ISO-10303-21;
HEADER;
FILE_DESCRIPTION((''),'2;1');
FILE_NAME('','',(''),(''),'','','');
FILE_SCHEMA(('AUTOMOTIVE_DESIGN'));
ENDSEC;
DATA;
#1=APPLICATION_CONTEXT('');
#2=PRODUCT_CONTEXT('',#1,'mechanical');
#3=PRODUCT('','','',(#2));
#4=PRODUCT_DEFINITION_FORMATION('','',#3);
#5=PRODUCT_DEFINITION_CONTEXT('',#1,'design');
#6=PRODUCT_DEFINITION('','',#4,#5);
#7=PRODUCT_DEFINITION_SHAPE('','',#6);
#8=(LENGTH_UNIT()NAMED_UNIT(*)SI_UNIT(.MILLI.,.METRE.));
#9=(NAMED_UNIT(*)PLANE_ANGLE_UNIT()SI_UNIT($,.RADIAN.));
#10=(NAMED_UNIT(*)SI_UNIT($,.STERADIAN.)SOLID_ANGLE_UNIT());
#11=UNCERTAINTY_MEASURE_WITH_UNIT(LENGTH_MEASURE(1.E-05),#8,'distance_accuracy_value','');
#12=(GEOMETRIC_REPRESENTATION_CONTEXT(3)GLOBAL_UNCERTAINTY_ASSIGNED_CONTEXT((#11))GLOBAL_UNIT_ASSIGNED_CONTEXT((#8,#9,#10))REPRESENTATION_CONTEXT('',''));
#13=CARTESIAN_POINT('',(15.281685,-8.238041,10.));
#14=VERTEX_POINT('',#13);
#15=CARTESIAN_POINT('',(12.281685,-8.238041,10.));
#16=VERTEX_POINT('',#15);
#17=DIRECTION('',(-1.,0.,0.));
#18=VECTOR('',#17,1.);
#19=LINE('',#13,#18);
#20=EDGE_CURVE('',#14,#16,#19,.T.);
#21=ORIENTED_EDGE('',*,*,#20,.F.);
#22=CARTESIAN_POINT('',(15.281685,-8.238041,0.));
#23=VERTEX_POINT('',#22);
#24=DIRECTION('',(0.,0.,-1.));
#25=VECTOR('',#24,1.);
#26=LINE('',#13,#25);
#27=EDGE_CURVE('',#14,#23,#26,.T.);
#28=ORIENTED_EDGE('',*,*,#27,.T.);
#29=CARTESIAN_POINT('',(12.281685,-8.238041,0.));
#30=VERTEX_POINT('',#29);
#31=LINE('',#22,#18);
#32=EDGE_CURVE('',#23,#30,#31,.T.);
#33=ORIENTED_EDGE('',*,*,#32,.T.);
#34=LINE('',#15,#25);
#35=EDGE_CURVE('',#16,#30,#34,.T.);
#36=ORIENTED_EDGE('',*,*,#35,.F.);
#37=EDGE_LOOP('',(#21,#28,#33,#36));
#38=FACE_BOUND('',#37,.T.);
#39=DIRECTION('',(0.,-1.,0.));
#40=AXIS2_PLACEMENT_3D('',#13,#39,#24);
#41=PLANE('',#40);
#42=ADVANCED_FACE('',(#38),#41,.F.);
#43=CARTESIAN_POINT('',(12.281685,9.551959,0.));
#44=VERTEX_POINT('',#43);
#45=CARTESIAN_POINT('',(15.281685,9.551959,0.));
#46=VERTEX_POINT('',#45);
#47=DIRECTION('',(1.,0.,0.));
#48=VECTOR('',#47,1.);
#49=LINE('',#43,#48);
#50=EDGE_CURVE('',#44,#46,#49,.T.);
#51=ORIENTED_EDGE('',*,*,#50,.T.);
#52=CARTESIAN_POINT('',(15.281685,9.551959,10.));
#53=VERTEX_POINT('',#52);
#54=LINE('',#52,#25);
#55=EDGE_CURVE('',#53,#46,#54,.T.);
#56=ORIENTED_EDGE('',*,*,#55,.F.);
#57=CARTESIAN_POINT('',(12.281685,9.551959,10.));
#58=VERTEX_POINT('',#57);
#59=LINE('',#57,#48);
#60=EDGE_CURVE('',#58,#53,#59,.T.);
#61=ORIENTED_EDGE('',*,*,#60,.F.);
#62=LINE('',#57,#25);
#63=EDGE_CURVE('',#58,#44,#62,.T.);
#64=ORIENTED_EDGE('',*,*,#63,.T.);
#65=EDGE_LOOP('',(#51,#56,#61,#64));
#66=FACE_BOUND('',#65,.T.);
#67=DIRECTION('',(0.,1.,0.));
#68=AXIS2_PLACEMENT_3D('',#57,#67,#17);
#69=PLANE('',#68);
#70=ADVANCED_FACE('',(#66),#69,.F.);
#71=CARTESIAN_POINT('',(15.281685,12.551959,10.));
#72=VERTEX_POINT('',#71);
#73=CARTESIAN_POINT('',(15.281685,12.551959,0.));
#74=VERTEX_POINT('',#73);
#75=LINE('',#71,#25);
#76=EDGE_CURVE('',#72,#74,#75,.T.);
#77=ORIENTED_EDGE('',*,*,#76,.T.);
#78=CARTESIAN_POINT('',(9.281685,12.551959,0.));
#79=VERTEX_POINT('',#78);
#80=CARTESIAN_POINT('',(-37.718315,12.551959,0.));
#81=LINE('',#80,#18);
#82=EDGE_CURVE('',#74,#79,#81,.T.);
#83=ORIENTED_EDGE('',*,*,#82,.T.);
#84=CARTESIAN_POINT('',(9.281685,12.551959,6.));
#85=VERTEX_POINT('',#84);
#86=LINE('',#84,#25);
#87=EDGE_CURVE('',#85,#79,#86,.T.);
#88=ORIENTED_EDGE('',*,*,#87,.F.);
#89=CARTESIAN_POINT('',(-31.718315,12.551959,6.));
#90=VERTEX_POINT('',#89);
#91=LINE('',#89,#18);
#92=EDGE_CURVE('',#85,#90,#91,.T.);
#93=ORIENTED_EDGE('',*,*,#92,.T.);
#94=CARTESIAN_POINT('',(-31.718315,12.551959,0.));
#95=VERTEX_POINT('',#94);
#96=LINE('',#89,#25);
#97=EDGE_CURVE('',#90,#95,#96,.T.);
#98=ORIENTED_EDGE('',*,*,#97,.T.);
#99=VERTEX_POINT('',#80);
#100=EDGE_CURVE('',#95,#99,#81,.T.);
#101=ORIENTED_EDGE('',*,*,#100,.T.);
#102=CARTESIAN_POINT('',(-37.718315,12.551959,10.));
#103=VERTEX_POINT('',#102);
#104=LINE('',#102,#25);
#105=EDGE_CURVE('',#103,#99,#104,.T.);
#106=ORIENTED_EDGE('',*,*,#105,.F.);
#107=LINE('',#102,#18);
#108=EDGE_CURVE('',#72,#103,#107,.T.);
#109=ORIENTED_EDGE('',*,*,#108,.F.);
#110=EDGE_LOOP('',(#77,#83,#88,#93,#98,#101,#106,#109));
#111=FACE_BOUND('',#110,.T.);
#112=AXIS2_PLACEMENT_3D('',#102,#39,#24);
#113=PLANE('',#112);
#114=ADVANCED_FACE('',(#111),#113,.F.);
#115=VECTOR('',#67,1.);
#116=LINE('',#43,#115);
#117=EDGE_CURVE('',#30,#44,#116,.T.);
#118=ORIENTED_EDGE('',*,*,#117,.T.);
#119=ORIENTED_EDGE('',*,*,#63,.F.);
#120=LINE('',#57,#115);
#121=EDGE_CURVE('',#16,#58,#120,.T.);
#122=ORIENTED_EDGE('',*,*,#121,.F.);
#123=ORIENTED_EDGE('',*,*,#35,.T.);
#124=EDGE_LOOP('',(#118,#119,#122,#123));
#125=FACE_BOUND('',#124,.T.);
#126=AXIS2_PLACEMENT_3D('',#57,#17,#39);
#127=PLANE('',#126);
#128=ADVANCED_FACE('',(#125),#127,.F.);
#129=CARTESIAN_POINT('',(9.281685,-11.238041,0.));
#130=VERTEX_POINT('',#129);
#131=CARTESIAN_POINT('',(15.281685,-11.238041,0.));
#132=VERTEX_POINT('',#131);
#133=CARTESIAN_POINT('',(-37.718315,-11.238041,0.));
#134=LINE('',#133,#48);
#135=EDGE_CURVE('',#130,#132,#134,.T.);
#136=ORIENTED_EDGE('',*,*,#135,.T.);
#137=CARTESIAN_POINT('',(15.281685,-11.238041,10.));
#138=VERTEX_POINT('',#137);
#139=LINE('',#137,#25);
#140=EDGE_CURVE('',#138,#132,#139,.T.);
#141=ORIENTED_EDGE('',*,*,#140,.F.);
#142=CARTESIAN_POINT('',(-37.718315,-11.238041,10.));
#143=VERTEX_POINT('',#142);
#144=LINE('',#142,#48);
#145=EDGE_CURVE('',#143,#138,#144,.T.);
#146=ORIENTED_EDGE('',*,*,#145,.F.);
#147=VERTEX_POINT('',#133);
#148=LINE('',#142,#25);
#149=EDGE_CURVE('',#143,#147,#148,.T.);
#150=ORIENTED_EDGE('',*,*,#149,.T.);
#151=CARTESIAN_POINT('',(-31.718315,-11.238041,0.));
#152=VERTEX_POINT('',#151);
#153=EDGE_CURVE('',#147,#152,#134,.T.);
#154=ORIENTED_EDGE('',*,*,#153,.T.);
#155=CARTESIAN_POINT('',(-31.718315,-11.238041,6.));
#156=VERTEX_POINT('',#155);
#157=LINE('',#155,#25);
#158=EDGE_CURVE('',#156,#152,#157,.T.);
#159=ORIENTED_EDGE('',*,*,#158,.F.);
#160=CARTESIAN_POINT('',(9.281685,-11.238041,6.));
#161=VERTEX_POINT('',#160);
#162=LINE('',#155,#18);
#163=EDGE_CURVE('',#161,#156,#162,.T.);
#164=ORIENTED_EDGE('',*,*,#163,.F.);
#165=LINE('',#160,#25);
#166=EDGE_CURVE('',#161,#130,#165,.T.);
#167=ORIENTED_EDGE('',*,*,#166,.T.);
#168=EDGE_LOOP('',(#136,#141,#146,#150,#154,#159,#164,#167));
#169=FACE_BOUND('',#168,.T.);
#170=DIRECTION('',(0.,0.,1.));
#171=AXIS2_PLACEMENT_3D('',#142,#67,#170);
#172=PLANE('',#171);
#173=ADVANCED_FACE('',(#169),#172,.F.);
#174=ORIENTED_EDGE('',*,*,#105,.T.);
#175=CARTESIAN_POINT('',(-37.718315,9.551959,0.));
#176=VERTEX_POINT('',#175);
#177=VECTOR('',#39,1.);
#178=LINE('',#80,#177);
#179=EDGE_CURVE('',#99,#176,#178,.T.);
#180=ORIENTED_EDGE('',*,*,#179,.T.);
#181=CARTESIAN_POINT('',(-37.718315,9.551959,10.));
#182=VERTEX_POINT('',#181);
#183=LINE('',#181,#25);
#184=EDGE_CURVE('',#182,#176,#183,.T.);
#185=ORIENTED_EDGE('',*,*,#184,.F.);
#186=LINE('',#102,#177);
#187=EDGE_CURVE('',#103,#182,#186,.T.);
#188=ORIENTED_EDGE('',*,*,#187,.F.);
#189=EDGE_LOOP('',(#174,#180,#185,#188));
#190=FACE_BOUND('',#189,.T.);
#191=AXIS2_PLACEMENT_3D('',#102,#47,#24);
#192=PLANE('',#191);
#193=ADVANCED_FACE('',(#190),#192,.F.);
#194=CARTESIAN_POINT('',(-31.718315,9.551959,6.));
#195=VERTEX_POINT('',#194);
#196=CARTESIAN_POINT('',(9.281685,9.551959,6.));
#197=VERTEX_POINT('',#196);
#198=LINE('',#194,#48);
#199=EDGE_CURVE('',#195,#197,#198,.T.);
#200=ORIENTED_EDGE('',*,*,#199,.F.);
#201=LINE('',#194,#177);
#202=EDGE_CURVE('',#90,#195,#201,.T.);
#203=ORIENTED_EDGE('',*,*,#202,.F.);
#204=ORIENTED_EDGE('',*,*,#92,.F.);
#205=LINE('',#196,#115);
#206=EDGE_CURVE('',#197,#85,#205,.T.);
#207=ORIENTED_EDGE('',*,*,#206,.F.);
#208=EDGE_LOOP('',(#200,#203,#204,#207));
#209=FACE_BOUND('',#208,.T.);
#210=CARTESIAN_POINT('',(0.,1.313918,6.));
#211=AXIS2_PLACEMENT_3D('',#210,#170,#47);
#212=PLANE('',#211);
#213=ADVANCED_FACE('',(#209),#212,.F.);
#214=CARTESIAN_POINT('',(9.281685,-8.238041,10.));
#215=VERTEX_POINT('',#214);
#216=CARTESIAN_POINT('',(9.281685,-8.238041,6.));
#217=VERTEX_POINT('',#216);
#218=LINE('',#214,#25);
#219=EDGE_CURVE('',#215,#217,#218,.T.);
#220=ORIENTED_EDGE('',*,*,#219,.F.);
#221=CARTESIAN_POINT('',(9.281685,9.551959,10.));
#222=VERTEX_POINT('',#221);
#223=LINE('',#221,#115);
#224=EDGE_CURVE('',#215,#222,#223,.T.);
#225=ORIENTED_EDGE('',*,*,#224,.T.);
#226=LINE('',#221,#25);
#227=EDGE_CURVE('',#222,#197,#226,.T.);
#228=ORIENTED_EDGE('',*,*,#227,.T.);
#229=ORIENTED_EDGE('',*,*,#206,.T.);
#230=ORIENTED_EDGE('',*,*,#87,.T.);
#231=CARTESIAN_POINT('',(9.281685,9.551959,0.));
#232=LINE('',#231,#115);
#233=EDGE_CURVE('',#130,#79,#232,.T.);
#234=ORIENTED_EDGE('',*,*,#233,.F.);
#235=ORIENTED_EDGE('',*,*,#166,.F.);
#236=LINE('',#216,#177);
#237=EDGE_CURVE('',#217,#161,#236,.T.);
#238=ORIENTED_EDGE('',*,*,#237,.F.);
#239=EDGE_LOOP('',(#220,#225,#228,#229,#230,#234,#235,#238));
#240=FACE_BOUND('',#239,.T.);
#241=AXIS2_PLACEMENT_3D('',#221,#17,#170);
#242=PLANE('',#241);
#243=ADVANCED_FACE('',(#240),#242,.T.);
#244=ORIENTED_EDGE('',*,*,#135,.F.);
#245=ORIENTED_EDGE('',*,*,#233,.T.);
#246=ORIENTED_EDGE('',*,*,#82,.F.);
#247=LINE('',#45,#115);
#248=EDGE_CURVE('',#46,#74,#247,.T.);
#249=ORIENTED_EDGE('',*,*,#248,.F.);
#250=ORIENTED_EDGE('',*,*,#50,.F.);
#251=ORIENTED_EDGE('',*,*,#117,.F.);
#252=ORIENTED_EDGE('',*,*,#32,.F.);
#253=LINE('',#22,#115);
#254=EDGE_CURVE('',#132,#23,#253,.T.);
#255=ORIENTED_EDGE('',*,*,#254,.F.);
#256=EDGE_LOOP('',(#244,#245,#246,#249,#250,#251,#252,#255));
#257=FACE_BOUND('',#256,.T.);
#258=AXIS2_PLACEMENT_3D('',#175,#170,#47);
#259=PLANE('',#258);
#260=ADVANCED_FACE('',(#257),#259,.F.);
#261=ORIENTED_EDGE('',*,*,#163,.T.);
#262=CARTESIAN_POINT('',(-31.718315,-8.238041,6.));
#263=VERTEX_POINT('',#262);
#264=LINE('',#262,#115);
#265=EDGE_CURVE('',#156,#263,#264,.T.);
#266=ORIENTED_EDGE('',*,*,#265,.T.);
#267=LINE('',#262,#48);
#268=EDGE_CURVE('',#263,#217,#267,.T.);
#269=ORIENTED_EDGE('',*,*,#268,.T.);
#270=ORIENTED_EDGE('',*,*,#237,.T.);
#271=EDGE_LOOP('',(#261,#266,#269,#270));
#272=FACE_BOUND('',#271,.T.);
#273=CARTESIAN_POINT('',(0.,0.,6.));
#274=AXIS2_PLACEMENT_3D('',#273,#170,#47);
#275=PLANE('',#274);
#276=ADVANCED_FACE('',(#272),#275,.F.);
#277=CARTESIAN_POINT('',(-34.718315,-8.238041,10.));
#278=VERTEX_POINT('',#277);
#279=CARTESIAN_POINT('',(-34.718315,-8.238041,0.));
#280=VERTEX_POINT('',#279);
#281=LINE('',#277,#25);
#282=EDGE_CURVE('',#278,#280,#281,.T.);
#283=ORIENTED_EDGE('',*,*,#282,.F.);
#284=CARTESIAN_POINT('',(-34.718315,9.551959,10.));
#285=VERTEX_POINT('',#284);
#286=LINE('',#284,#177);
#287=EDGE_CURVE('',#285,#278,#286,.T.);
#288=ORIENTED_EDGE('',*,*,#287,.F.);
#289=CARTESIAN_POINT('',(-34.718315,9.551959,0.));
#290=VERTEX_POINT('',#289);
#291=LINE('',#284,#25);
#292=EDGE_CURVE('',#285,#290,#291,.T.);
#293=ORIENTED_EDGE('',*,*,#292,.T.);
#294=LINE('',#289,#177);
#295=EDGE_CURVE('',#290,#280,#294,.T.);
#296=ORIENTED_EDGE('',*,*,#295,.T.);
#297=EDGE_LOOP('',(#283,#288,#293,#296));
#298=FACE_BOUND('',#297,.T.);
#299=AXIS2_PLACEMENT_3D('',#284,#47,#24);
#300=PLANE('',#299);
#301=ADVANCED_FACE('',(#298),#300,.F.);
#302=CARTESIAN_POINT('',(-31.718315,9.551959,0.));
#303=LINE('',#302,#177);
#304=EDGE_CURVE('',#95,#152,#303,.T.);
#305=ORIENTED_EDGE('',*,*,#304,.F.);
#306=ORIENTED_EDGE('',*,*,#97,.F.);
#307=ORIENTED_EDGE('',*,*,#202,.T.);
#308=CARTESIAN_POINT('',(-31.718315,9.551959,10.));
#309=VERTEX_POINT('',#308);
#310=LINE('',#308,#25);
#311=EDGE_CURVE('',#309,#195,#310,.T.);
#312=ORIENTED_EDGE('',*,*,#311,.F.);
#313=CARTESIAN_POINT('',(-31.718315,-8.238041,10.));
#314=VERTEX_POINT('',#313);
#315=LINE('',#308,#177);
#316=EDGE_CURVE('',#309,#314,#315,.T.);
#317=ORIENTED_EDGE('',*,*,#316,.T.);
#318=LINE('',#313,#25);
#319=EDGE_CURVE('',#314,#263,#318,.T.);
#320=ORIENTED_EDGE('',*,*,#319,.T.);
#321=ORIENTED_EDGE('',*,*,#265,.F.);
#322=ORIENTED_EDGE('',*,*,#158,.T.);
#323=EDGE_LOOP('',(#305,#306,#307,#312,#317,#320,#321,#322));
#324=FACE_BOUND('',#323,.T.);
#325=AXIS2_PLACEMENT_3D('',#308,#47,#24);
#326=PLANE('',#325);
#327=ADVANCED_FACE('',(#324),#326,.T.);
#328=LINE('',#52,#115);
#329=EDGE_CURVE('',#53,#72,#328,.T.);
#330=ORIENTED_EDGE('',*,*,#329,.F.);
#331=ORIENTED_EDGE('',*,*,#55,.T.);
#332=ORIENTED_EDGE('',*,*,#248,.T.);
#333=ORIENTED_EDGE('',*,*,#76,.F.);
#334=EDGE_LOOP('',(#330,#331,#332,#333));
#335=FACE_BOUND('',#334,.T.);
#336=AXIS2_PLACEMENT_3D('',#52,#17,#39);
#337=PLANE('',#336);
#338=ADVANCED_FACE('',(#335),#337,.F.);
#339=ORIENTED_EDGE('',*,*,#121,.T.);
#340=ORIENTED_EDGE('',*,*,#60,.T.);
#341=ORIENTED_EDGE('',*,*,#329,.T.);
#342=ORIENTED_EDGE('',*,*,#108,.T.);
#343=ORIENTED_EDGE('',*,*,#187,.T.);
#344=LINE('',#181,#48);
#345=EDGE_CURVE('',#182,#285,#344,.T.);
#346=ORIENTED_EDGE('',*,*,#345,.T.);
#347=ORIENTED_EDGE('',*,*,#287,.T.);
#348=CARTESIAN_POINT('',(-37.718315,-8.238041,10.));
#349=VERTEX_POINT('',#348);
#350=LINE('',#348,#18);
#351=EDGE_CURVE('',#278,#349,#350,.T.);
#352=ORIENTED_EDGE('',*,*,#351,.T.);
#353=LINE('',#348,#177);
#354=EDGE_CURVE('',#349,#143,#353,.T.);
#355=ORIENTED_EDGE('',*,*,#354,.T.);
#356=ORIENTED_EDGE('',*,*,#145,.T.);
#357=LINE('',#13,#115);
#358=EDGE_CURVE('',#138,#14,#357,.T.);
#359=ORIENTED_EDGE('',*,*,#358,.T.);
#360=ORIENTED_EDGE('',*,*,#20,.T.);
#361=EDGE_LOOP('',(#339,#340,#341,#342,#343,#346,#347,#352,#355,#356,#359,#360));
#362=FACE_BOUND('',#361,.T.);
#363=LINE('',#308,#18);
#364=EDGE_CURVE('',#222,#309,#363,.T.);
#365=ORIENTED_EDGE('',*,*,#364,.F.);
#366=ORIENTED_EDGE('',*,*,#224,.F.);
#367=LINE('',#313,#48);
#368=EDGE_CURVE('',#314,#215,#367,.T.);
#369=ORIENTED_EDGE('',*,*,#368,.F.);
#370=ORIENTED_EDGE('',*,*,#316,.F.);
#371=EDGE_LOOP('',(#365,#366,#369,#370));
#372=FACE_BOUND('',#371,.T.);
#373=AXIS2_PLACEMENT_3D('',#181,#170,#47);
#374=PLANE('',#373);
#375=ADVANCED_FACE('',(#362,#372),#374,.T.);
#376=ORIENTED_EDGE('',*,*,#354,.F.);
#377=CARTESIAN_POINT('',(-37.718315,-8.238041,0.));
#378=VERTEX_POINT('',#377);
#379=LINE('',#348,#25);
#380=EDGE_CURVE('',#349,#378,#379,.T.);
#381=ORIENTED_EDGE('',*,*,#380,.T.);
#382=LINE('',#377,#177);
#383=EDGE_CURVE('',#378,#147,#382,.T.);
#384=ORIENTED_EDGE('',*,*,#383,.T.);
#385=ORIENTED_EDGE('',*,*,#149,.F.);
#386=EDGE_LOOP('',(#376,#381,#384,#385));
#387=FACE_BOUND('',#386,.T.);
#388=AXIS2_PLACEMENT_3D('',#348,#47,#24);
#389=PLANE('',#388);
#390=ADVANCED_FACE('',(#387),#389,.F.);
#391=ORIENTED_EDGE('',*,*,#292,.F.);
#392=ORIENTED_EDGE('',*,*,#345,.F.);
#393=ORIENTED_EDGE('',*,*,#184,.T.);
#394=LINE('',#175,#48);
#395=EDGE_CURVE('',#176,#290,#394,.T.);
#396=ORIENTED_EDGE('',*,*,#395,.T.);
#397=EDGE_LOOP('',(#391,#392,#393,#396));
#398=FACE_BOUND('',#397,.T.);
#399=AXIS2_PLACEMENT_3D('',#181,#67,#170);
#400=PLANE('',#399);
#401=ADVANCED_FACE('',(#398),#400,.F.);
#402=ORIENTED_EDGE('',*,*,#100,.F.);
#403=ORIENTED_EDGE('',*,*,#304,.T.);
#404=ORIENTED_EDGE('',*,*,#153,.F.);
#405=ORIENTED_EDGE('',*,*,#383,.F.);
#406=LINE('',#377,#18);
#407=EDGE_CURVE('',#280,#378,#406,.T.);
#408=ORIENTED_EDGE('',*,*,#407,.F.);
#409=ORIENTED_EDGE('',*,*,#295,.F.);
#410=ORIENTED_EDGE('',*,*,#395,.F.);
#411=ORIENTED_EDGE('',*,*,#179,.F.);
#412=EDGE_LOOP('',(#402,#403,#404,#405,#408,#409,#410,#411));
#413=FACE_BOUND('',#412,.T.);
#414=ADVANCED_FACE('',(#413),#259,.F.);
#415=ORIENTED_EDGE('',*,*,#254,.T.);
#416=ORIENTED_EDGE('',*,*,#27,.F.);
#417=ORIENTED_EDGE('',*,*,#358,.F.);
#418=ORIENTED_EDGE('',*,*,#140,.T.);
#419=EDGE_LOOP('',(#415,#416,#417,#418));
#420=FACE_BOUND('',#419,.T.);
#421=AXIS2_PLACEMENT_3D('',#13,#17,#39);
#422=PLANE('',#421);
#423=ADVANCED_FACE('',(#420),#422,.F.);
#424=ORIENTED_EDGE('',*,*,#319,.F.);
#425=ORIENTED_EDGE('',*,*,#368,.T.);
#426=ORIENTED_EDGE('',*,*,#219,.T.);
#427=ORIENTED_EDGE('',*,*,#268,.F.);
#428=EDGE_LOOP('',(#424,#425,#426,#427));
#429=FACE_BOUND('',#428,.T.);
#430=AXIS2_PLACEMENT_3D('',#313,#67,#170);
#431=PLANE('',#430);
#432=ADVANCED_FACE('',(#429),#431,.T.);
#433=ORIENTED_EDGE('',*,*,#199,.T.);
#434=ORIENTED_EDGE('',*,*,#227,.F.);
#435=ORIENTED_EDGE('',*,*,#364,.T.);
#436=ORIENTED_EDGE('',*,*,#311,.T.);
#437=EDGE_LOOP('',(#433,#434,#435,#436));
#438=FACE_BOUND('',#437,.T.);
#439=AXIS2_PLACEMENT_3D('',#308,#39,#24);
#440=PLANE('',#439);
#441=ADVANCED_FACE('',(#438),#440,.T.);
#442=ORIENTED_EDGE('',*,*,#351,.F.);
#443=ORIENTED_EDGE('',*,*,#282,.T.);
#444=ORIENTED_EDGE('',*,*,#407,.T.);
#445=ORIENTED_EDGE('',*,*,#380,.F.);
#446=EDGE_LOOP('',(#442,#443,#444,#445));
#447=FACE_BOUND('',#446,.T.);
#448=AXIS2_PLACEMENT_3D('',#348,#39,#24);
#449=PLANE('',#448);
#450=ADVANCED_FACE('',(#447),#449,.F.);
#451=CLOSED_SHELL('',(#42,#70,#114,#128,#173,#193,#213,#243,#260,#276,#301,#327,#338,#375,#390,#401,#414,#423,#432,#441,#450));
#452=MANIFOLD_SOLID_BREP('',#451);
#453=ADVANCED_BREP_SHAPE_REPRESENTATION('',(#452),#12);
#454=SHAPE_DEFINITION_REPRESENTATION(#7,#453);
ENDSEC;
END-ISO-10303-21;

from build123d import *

# Parameters (mm, degrees)
SKETCH1_W           = 41
SKETCH1_H           = 17.79
BOSS_EXTRUDE1_DEPTH = 10
SKETCH10_W          = 41
SKETCH10_H          = 3
CUT_EXTRUDE1_DEPTH  = 6


with BuildPart() as part:
    # Sketch1 → Boss-Extrude1 (new body)
    with BuildSketch(Plane.XY):
        Polygon((12.281684518, 9.551958914), (15.281684518, 9.551958914), (15.281684518, 12.551958914), (-37.718315482, 12.551958914), (-37.718315482, 9.551958914), (-34.718315482, 9.551958914), (-34.718315482, -8.238041086), (-37.718315482, -8.238041086), (-37.718315482, -11.238041086), (15.281684518, -11.238041086), (15.281684518, -8.238041086), (12.281684518, -8.238041086), align=None)
        with Locations((-11.218315482, 0.656958914)):
            Rectangle(SKETCH1_W, SKETCH1_H, mode=Mode.SUBTRACT)
    extrude(amount=BOSS_EXTRUDE1_DEPTH)

    # Sketch10 → Cut-Extrude1 (cut)
    with BuildSketch(Plane(origin=(0, 0, 0), x_dir=(-1, 0, 0), z_dir=(0, 0, -1))):
        with Locations((11.218315482, -9.738041086)):
            Rectangle(SKETCH10_W, SKETCH10_H)
    cut_extrude1 = extrude(amount=-CUT_EXTRUDE1_DEPTH, mode=Mode.SUBTRACT)

    # Mirror3: Cut-Extrude1 across plane
    add(cut_extrude1.mirror(Plane.ZX.offset(0.656958914)), mode=Mode.SUBTRACT)


solid = part.part
